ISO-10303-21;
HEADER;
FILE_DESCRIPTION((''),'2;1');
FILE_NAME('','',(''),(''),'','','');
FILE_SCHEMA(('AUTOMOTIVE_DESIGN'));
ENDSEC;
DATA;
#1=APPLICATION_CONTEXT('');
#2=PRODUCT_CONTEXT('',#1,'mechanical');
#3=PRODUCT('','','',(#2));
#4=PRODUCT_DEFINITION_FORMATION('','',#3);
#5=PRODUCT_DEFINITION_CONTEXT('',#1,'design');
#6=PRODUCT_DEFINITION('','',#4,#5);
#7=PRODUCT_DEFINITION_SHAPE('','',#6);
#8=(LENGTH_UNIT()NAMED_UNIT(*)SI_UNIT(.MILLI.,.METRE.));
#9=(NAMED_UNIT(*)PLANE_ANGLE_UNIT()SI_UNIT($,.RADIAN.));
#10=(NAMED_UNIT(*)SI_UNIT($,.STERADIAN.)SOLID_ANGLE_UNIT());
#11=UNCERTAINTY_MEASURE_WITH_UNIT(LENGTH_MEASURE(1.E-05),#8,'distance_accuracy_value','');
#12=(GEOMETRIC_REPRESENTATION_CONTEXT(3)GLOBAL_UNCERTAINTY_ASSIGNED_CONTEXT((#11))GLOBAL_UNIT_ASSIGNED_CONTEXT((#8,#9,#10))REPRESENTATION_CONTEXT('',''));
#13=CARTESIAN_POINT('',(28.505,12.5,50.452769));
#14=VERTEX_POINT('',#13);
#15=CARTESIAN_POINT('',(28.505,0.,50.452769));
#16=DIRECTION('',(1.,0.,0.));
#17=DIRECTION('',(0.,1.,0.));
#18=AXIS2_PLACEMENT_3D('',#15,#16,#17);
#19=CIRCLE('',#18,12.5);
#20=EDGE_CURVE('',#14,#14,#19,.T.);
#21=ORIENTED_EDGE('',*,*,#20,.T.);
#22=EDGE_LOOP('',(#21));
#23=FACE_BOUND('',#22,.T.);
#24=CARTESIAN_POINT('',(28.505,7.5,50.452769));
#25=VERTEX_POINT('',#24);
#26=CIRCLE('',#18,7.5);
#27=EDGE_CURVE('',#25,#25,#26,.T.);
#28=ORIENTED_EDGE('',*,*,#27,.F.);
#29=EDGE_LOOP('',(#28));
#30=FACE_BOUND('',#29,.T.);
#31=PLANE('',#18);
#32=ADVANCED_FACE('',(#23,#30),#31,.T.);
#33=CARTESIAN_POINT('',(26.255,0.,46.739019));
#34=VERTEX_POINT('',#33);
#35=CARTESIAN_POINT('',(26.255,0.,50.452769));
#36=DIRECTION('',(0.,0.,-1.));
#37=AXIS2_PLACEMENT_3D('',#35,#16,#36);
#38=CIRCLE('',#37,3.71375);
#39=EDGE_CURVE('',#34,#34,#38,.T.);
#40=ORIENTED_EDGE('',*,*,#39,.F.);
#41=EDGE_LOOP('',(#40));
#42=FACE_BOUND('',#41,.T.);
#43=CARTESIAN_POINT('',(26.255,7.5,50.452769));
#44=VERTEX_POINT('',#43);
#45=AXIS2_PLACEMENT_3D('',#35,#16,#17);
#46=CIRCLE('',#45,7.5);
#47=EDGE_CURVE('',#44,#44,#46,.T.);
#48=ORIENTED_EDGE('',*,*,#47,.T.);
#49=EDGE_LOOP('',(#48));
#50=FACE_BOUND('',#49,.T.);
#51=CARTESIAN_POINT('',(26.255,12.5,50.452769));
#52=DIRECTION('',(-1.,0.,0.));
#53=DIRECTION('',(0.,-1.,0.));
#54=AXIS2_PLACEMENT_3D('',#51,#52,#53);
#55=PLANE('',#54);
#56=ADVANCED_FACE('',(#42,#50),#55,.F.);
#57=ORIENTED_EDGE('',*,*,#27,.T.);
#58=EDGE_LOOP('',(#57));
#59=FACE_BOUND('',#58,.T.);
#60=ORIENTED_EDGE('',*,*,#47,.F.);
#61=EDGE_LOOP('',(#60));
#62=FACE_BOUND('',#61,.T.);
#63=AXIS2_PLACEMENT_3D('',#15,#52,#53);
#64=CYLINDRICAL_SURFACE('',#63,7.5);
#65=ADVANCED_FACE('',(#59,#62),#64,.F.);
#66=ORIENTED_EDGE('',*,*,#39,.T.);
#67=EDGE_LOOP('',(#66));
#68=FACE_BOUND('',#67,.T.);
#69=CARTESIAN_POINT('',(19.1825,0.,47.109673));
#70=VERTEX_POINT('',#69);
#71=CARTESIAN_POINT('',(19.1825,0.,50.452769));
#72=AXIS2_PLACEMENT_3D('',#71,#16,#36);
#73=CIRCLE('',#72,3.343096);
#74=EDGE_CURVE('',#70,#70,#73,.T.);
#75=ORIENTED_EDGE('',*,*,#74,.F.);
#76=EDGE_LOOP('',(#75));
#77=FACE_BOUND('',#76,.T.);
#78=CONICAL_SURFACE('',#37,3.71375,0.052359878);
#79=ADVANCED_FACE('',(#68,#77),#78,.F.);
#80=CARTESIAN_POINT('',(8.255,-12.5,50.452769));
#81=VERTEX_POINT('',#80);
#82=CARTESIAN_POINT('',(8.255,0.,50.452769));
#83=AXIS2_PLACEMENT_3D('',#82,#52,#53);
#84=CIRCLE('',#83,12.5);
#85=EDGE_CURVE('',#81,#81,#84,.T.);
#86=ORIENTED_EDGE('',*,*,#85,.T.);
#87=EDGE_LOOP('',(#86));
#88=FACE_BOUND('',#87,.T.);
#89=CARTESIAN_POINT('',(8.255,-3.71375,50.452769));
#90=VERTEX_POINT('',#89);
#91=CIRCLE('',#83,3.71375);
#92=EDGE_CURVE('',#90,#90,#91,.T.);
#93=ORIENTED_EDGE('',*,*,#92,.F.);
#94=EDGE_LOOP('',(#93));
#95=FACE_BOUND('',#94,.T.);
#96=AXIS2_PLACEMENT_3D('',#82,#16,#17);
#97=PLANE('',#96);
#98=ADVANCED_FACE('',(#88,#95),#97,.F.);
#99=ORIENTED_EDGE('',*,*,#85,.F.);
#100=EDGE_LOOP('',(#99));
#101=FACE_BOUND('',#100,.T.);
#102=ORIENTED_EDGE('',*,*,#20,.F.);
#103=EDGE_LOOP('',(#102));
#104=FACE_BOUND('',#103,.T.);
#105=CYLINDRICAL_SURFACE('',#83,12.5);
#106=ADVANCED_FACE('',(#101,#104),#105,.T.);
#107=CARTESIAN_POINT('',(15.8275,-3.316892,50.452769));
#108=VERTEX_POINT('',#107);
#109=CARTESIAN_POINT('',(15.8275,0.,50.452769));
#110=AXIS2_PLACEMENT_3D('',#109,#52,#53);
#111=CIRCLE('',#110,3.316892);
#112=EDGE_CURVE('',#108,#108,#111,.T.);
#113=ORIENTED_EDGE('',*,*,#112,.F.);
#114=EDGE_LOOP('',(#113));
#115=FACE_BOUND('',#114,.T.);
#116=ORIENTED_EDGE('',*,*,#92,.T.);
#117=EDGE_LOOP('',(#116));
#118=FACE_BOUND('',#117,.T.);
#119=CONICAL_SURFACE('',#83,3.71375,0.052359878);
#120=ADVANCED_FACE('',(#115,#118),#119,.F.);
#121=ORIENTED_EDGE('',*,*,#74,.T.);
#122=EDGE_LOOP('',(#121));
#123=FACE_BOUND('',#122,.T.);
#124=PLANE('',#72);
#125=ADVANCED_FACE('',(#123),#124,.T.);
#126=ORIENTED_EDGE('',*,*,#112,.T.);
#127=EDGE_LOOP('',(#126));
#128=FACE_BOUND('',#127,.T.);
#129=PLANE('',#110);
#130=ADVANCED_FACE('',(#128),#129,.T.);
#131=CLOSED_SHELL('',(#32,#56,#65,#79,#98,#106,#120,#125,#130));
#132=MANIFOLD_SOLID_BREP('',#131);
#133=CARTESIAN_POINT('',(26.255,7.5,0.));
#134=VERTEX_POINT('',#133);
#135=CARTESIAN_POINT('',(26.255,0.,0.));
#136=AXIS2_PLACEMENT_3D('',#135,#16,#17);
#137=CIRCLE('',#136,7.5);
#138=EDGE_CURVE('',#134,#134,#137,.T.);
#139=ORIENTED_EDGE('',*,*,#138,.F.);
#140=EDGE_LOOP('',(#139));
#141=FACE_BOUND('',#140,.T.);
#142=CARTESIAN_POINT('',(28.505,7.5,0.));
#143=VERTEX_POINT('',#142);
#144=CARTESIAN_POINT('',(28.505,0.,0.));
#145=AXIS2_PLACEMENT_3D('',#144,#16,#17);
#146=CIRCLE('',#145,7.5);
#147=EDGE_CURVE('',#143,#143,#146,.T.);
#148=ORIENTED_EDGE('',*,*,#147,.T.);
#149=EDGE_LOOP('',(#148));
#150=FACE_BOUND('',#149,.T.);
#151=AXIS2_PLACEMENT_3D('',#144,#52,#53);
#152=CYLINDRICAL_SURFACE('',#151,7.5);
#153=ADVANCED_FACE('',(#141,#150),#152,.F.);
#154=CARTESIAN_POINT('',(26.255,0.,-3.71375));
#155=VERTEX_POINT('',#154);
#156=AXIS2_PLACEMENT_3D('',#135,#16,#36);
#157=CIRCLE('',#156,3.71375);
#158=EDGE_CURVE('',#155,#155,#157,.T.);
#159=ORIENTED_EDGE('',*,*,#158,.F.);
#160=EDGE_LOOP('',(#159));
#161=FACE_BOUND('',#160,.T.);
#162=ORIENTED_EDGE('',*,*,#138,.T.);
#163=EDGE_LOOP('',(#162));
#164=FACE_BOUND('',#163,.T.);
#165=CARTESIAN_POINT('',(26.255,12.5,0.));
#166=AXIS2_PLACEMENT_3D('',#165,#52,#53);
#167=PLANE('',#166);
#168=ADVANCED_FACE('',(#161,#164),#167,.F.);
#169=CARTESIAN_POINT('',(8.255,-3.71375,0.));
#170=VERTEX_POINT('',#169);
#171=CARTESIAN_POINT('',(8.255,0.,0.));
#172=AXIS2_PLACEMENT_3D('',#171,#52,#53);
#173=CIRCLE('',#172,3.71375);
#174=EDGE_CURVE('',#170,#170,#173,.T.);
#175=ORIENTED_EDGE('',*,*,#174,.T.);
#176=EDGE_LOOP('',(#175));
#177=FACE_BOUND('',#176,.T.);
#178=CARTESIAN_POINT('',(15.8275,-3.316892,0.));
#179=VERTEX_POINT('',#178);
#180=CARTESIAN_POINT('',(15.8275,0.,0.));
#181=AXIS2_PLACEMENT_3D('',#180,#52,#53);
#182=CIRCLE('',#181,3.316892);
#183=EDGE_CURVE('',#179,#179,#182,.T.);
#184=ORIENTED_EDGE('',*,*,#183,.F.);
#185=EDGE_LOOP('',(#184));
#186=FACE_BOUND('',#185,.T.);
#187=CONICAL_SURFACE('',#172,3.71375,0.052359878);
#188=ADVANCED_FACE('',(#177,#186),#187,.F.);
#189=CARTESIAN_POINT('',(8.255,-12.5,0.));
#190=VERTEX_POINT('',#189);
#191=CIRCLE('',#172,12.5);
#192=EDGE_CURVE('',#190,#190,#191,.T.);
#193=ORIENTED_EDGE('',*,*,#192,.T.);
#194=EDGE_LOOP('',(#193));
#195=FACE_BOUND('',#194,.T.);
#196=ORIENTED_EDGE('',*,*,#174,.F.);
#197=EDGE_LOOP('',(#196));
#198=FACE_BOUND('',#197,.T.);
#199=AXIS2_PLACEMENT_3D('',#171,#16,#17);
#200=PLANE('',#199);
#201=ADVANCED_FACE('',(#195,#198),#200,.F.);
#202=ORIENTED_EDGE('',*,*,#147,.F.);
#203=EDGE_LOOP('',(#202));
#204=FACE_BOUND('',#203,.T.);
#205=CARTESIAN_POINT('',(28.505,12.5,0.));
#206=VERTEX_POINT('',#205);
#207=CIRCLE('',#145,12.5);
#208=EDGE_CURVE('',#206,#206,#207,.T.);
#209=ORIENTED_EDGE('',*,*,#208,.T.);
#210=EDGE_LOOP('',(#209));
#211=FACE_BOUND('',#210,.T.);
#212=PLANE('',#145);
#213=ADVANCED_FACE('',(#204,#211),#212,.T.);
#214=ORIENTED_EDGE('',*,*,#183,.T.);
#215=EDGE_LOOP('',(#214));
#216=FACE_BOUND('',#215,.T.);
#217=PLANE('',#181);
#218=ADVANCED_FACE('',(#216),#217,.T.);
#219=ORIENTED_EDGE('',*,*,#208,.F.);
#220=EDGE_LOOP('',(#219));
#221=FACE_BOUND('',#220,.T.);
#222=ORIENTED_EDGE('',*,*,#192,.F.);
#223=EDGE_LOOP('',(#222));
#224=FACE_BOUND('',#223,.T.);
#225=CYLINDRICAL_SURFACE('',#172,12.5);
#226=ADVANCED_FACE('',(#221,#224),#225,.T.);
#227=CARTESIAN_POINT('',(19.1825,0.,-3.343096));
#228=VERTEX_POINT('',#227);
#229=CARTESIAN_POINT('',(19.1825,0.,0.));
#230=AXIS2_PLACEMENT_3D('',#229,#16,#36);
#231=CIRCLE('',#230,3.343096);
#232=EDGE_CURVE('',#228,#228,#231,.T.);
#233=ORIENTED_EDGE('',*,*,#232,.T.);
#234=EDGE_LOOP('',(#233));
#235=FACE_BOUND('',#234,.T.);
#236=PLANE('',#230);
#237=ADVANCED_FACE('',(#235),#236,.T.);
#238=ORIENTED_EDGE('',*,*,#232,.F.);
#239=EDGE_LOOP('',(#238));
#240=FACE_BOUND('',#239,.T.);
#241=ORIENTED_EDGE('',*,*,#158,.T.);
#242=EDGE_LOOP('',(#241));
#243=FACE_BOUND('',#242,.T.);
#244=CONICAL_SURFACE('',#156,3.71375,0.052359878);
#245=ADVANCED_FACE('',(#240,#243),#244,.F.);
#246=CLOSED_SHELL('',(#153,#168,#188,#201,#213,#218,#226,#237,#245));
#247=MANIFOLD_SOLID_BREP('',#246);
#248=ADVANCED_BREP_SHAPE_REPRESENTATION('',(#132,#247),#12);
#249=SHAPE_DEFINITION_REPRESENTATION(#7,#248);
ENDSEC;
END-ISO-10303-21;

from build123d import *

# Parameters (mm, degrees)
SKETCH1_W           = 18
SKETCH1_H           = 12.5
SKETCH2_R           = 3.71375
CUT_EXTRUDE1_DEPTH  = 7.5725
CUT_EXTRUDE1_TAPER  = 3
SKETCH4_R           = 3.71375
CUT_EXTRUDE2_DEPTH  = 7.0725
CUT_EXTRUDE2_TAPER  = 3
SKETCH5_R           = 12.5
SKETCH5_R_2         = 7.5
BOSS_EXTRUDE1_DEPTH = 2.25


with BuildPart() as part:
    # Sketch1 → Revolve1 (revolve)
    with BuildSketch(Plane.XY):
        with Locations((17.255, 6.25)):
            Rectangle(SKETCH1_W, SKETCH1_H)
    revolve(axis=Axis((8.255, 0, 0), (1, 0, 0)))

    # Sketch2 → Cut-Extrude1 (cut)
    with BuildSketch(Plane.ZY.offset(-8.255)):
        Circle(SKETCH2_R)
    extrude(amount=-CUT_EXTRUDE1_DEPTH, taper=CUT_EXTRUDE1_TAPER, mode=Mode.SUBTRACT)

    # Sketch4 → Cut-Extrude2 (cut)
    with BuildSketch(Plane(origin=(26.255, 0, 0), x_dir=(0, 0, -1), z_dir=(1, 0, 0))):
        Circle(SKETCH4_R)
    extrude(amount=-CUT_EXTRUDE2_DEPTH, taper=CUT_EXTRUDE2_TAPER, mode=Mode.SUBTRACT)


with BuildPart() as body_2:
    # Body-Move/Copy1: copy of part
    add(part.part.moved(Location((0, 0, 50.452769062))))


with BuildPart() as part_1:
    add(part.part)

    # Sketch5 → Boss-Extrude1 (add)
    with BuildSketch(Plane(origin=(26.255, 0, 0), x_dir=(0, 0, -1), z_dir=(1, 0, 0))):
        Circle(SKETCH5_R)
        Circle(SKETCH5_R_2, mode=Mode.SUBTRACT)
        with Locations((-50.452769062, 0)):
            Circle(SKETCH5_R)
        with Locations((-50.452769062, 0)):
            Circle(SKETCH5_R_2, mode=Mode.SUBTRACT)
    extrude(amount=BOSS_EXTRUDE1_DEPTH)


with BuildPart() as body_2_1:
    add(body_2.part)

    # Combine1: union part
    add(part_1.part)


solid = body_2_1.part
